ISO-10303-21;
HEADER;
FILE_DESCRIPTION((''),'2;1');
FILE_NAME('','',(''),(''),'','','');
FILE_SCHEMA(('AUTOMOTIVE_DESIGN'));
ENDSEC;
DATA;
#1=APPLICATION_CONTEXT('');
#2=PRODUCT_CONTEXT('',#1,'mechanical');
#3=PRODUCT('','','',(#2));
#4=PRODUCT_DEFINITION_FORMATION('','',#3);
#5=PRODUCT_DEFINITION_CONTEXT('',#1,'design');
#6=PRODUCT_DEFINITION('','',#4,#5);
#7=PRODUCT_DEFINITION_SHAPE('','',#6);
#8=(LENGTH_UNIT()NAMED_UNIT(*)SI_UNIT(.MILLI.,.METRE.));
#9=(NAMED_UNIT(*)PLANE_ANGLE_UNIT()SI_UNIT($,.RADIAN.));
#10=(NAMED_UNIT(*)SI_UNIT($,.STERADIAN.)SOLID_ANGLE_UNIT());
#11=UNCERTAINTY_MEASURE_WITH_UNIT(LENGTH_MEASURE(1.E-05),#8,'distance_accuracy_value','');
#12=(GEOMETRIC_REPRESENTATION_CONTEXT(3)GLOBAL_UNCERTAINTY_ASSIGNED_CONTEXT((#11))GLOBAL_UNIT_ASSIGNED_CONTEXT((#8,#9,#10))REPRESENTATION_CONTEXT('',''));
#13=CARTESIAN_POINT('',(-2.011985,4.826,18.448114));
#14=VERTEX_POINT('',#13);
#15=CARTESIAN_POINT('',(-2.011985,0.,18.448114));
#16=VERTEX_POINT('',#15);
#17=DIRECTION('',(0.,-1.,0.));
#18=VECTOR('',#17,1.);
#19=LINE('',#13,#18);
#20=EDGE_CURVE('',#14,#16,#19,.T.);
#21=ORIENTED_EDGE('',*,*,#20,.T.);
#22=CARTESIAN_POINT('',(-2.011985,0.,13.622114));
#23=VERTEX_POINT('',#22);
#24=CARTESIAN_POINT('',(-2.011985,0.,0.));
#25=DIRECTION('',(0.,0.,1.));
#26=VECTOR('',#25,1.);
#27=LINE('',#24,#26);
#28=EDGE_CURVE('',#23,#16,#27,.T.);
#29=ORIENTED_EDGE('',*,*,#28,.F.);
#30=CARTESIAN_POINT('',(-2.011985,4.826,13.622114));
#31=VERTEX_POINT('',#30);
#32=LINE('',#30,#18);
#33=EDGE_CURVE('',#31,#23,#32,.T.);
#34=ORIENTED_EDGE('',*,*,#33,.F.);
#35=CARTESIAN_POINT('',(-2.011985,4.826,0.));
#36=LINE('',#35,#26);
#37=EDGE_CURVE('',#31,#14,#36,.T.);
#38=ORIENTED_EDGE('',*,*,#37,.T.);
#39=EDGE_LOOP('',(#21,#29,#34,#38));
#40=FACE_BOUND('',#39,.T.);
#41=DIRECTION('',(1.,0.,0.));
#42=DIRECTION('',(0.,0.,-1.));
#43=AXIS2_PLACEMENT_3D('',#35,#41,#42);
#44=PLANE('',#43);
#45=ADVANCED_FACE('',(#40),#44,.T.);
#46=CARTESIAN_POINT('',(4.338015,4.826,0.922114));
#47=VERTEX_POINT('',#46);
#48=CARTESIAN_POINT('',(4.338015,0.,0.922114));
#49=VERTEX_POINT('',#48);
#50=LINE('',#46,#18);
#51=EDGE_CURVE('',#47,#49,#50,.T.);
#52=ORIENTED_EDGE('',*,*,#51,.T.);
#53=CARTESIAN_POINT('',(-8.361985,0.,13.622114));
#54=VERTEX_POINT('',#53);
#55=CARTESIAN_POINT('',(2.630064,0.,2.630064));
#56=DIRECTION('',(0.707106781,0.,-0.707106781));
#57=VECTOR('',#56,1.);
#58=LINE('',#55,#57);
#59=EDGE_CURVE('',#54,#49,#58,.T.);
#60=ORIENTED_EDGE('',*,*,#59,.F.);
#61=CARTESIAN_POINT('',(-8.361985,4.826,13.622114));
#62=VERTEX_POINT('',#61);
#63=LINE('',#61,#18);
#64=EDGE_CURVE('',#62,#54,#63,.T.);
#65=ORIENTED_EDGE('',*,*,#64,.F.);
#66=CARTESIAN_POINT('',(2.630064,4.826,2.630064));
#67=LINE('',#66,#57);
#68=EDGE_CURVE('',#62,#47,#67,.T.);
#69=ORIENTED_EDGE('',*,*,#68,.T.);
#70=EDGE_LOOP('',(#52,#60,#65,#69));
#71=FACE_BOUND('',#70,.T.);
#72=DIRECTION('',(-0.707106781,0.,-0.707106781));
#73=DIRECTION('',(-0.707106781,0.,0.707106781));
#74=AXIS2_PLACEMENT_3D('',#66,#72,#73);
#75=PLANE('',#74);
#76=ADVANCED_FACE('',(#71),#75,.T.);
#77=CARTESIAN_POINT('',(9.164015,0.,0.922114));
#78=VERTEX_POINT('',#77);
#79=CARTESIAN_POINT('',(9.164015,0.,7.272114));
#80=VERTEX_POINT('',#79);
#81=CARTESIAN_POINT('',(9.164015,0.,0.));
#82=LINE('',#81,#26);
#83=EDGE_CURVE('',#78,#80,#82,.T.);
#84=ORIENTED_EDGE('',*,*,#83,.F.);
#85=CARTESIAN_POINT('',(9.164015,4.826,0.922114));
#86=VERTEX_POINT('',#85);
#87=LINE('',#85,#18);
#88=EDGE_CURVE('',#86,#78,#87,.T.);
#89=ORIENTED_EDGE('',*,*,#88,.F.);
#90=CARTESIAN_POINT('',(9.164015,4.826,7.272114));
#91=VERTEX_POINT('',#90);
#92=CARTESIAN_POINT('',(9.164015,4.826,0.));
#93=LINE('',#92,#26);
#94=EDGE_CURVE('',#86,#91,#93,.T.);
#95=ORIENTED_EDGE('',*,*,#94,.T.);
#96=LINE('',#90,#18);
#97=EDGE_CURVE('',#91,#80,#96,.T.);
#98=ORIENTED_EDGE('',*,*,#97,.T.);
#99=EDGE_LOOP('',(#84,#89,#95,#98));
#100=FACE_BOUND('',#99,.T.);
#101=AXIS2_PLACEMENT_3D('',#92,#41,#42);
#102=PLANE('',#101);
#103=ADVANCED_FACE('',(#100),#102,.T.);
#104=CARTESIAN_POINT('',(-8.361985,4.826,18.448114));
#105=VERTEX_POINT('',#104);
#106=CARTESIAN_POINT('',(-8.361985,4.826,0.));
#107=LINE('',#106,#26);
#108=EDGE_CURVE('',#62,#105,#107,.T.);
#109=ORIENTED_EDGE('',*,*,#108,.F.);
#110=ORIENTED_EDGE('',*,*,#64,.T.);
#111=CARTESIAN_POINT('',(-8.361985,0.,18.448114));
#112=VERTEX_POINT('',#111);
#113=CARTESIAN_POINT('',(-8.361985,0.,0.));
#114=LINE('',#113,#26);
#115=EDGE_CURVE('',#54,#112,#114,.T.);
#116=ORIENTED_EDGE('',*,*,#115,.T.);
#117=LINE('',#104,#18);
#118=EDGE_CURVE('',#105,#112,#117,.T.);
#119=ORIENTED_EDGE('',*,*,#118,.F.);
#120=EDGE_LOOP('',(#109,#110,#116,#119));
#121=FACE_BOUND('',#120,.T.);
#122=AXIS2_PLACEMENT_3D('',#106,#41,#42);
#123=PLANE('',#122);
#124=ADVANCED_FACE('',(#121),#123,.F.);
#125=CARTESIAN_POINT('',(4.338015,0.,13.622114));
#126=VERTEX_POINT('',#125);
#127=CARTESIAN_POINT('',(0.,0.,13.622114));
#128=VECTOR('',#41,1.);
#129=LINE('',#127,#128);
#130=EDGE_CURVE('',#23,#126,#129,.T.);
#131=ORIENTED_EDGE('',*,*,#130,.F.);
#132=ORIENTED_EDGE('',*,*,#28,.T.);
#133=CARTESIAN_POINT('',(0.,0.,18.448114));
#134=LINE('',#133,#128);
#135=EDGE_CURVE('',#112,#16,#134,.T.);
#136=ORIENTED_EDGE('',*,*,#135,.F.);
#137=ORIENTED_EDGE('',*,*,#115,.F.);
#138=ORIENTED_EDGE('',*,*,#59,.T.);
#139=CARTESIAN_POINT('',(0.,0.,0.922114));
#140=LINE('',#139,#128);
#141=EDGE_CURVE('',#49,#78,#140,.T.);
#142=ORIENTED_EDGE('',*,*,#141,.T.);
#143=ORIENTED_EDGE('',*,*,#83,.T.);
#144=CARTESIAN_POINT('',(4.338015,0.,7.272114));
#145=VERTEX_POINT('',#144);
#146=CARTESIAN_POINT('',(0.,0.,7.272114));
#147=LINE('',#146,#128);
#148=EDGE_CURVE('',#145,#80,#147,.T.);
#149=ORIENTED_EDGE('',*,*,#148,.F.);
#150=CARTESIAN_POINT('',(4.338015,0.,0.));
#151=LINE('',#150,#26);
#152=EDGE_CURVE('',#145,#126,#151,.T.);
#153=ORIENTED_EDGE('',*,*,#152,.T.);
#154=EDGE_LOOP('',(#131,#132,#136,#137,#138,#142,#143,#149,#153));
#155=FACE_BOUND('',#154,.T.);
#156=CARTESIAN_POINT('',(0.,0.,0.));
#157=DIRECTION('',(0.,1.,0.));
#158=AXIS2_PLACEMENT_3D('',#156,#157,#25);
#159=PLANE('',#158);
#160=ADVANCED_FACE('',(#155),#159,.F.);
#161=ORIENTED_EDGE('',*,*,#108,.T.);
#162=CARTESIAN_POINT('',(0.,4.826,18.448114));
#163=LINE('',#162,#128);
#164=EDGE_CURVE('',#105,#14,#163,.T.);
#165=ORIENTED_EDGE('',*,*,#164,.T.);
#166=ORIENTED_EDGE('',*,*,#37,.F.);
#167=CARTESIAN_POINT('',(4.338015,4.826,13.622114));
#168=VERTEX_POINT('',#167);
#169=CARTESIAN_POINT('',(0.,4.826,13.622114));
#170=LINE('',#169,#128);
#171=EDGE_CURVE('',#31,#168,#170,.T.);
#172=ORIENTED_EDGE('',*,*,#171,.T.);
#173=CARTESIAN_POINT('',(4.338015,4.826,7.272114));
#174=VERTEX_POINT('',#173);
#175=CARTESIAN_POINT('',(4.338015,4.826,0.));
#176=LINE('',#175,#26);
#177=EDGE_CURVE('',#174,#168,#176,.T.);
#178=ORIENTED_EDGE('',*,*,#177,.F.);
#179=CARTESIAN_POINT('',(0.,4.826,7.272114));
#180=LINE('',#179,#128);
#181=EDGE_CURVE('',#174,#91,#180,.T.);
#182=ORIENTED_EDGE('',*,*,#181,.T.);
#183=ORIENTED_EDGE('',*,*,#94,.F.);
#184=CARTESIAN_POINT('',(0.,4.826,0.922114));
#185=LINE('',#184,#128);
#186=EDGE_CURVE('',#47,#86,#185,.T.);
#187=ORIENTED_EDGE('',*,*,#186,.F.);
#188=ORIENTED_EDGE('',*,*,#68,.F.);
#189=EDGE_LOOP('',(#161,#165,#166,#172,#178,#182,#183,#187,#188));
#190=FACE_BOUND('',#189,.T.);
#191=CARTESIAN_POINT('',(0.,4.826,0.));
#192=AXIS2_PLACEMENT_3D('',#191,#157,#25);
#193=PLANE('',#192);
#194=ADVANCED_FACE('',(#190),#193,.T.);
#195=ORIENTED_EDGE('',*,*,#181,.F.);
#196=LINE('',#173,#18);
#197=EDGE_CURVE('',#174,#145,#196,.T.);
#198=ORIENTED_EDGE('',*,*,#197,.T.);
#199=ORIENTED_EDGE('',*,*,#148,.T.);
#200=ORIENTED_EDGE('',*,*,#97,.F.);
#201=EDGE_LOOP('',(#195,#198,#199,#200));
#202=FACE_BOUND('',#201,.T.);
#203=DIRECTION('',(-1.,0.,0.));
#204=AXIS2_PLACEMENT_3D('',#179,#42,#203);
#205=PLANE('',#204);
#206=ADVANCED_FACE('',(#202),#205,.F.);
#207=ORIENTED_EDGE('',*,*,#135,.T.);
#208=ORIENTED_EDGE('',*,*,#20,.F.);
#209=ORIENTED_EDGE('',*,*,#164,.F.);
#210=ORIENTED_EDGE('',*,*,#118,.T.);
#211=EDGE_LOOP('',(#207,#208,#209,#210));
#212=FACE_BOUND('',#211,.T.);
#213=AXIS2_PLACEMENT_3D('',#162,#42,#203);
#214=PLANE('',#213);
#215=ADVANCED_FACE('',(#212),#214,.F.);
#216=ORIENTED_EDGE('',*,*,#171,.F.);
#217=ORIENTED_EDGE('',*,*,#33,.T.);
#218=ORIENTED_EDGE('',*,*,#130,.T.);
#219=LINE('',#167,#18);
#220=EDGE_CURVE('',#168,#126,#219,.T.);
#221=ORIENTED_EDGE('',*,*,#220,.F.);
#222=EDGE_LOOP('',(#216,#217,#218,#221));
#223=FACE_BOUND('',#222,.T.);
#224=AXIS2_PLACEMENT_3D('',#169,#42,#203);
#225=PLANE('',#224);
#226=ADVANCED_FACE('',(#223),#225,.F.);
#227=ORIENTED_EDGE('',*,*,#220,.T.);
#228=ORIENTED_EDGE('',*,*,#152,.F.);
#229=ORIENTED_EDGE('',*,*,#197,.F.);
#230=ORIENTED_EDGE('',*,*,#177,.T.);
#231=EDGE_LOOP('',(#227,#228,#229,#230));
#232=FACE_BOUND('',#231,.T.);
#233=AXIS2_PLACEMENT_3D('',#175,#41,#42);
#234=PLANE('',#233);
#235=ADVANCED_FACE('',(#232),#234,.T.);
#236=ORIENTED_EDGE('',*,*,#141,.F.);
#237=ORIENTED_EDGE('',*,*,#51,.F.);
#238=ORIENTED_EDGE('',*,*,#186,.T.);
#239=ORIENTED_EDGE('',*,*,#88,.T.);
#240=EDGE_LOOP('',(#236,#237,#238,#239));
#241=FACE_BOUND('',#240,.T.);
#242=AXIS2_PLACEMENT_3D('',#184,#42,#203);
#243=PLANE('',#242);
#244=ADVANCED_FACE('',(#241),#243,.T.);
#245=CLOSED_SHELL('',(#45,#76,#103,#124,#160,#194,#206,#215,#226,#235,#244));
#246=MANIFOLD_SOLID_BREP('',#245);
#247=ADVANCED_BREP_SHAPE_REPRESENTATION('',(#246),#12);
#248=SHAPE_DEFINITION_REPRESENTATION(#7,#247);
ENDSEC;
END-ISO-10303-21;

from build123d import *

# Parameters (mm, degrees)
SKETCH1_W           = 6.35
SKETCH1_H           = 4.826
SKETCH1_W_2         = 4.826
SKETCH1_H_2         = 6.35
BOSS_EXTRUDE1_DEPTH = 4.826


with BuildPart() as part:
    # Sketch1 → Boss-Extrude1 (new body)
    with BuildSketch(Plane(origin=(0, 0, 0), x_dir=(1, 0, 0), z_dir=(0, 1, 0))):
        with Locations((-5.186985437, -16.035114223)):
            Rectangle(SKETCH1_W, SKETCH1_H)
        Polygon((4.338014563, -0.922114223), (4.338014563, -13.622114223), (-8.361985437, -13.622114223), align=None)
        with Locations((6.751014563, -4.097114223)):
            Rectangle(SKETCH1_W_2, SKETCH1_H_2)
    extrude(amount=BOSS_EXTRUDE1_DEPTH)


solid = part.part
